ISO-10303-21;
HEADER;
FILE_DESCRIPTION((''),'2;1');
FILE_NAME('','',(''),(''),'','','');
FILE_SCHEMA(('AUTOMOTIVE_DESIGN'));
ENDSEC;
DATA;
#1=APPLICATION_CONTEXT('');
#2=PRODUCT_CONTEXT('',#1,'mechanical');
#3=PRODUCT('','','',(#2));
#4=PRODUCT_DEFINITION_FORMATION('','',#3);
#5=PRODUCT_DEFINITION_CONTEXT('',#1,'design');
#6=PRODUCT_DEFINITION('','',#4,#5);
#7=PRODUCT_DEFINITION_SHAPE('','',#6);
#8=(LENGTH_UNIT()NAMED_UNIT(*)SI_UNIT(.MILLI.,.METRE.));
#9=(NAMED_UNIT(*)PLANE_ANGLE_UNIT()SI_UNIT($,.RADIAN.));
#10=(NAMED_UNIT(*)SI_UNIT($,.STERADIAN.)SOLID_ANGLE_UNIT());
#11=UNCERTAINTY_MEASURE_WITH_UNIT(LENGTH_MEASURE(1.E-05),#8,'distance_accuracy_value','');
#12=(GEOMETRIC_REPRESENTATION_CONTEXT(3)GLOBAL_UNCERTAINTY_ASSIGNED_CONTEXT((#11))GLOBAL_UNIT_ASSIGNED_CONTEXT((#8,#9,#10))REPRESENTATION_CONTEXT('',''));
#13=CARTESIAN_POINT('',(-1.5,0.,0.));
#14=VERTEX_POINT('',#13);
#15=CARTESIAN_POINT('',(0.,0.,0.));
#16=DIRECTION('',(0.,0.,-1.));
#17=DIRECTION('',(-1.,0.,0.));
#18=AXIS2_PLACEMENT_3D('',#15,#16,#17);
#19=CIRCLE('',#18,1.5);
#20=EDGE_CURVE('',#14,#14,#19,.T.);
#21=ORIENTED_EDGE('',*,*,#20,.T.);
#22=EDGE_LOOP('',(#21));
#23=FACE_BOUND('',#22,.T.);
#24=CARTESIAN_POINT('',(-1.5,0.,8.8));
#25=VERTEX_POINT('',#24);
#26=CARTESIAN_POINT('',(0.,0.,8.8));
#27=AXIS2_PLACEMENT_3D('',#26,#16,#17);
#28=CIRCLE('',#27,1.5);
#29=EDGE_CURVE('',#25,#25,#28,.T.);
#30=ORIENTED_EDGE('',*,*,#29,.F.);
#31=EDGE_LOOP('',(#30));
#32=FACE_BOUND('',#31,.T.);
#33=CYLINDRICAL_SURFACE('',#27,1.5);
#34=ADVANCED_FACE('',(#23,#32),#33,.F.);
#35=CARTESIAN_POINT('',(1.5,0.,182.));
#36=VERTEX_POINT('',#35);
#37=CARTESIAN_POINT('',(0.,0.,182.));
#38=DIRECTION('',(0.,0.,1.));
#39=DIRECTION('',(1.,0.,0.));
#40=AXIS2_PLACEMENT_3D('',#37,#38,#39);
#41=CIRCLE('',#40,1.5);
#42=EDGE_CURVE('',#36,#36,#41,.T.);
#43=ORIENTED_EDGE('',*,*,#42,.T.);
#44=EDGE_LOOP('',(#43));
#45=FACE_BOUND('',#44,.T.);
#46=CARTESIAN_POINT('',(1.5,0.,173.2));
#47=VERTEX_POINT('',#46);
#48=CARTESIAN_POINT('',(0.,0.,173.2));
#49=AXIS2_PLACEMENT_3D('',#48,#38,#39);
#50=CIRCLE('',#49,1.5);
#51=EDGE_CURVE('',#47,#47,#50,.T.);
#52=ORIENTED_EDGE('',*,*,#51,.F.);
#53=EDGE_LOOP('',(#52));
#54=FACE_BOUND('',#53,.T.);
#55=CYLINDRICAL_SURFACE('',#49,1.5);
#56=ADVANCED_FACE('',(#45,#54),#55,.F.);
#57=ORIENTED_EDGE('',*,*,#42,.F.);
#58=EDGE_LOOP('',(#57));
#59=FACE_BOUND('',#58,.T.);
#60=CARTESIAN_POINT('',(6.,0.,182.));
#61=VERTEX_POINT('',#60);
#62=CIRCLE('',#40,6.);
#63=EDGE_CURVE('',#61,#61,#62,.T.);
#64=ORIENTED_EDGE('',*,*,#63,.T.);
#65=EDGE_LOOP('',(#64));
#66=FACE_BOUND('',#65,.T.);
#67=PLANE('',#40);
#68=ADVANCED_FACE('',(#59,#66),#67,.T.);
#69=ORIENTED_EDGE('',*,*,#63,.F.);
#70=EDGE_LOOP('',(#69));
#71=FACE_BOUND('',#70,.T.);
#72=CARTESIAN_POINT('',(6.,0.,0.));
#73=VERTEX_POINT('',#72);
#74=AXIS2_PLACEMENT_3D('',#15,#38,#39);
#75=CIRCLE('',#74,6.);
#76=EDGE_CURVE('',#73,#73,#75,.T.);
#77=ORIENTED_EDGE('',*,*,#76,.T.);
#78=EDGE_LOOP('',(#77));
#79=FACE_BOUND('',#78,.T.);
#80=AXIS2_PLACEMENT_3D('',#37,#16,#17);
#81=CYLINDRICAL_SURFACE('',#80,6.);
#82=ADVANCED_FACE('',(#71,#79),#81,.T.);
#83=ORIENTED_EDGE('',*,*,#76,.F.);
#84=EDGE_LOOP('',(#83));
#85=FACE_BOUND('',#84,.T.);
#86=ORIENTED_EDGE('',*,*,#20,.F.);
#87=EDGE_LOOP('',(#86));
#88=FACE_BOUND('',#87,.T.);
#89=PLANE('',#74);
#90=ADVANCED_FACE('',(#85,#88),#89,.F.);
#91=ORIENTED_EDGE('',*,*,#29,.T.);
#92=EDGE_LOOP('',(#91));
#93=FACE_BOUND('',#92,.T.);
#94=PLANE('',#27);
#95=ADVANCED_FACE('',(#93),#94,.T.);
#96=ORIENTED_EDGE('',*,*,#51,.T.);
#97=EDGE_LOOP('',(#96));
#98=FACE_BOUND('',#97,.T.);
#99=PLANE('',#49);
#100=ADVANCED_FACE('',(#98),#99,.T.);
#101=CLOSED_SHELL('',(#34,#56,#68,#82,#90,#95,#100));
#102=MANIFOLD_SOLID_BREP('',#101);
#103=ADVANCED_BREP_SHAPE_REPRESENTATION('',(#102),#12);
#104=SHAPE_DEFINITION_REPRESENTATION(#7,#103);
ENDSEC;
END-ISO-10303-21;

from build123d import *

# Parameters (mm, degrees)
SKETCH_1_R          = 6
EXTRUDE_1_DEPTH     = 182
SKETCH_2_R          = 1.5
CUT_EXTRUDE_1_DEPTH = 8.8
SKETCH_7_R          = 1.5
CUT_EXTRUDE_2_DEPTH = 8.8


with BuildPart() as part:
    # ｽｹｯﾁ1 → ﾎﾞｽ - 押し出し1 (new body)
    with BuildSketch(Plane.XY):
        Circle(SKETCH_1_R)
    extrude(amount=EXTRUDE_1_DEPTH)

    # ｽｹｯﾁ2 → ｶｯﾄ - 押し出し1 (cut)
    with BuildSketch(Plane.XY.offset(182)):
        Circle(SKETCH_2_R)
    extrude(amount=-CUT_EXTRUDE_1_DEPTH, mode=Mode.SUBTRACT)

    # ｽｹｯﾁ7 → ｶｯﾄ - 押し出し2 (cut)
    with BuildSketch(Plane(origin=(0, 0, 0), x_dir=(-1, 0, 0), z_dir=(0, 0, -1))):
        Circle(SKETCH_7_R)
    extrude(amount=-CUT_EXTRUDE_2_DEPTH, mode=Mode.SUBTRACT)


solid = part.part
